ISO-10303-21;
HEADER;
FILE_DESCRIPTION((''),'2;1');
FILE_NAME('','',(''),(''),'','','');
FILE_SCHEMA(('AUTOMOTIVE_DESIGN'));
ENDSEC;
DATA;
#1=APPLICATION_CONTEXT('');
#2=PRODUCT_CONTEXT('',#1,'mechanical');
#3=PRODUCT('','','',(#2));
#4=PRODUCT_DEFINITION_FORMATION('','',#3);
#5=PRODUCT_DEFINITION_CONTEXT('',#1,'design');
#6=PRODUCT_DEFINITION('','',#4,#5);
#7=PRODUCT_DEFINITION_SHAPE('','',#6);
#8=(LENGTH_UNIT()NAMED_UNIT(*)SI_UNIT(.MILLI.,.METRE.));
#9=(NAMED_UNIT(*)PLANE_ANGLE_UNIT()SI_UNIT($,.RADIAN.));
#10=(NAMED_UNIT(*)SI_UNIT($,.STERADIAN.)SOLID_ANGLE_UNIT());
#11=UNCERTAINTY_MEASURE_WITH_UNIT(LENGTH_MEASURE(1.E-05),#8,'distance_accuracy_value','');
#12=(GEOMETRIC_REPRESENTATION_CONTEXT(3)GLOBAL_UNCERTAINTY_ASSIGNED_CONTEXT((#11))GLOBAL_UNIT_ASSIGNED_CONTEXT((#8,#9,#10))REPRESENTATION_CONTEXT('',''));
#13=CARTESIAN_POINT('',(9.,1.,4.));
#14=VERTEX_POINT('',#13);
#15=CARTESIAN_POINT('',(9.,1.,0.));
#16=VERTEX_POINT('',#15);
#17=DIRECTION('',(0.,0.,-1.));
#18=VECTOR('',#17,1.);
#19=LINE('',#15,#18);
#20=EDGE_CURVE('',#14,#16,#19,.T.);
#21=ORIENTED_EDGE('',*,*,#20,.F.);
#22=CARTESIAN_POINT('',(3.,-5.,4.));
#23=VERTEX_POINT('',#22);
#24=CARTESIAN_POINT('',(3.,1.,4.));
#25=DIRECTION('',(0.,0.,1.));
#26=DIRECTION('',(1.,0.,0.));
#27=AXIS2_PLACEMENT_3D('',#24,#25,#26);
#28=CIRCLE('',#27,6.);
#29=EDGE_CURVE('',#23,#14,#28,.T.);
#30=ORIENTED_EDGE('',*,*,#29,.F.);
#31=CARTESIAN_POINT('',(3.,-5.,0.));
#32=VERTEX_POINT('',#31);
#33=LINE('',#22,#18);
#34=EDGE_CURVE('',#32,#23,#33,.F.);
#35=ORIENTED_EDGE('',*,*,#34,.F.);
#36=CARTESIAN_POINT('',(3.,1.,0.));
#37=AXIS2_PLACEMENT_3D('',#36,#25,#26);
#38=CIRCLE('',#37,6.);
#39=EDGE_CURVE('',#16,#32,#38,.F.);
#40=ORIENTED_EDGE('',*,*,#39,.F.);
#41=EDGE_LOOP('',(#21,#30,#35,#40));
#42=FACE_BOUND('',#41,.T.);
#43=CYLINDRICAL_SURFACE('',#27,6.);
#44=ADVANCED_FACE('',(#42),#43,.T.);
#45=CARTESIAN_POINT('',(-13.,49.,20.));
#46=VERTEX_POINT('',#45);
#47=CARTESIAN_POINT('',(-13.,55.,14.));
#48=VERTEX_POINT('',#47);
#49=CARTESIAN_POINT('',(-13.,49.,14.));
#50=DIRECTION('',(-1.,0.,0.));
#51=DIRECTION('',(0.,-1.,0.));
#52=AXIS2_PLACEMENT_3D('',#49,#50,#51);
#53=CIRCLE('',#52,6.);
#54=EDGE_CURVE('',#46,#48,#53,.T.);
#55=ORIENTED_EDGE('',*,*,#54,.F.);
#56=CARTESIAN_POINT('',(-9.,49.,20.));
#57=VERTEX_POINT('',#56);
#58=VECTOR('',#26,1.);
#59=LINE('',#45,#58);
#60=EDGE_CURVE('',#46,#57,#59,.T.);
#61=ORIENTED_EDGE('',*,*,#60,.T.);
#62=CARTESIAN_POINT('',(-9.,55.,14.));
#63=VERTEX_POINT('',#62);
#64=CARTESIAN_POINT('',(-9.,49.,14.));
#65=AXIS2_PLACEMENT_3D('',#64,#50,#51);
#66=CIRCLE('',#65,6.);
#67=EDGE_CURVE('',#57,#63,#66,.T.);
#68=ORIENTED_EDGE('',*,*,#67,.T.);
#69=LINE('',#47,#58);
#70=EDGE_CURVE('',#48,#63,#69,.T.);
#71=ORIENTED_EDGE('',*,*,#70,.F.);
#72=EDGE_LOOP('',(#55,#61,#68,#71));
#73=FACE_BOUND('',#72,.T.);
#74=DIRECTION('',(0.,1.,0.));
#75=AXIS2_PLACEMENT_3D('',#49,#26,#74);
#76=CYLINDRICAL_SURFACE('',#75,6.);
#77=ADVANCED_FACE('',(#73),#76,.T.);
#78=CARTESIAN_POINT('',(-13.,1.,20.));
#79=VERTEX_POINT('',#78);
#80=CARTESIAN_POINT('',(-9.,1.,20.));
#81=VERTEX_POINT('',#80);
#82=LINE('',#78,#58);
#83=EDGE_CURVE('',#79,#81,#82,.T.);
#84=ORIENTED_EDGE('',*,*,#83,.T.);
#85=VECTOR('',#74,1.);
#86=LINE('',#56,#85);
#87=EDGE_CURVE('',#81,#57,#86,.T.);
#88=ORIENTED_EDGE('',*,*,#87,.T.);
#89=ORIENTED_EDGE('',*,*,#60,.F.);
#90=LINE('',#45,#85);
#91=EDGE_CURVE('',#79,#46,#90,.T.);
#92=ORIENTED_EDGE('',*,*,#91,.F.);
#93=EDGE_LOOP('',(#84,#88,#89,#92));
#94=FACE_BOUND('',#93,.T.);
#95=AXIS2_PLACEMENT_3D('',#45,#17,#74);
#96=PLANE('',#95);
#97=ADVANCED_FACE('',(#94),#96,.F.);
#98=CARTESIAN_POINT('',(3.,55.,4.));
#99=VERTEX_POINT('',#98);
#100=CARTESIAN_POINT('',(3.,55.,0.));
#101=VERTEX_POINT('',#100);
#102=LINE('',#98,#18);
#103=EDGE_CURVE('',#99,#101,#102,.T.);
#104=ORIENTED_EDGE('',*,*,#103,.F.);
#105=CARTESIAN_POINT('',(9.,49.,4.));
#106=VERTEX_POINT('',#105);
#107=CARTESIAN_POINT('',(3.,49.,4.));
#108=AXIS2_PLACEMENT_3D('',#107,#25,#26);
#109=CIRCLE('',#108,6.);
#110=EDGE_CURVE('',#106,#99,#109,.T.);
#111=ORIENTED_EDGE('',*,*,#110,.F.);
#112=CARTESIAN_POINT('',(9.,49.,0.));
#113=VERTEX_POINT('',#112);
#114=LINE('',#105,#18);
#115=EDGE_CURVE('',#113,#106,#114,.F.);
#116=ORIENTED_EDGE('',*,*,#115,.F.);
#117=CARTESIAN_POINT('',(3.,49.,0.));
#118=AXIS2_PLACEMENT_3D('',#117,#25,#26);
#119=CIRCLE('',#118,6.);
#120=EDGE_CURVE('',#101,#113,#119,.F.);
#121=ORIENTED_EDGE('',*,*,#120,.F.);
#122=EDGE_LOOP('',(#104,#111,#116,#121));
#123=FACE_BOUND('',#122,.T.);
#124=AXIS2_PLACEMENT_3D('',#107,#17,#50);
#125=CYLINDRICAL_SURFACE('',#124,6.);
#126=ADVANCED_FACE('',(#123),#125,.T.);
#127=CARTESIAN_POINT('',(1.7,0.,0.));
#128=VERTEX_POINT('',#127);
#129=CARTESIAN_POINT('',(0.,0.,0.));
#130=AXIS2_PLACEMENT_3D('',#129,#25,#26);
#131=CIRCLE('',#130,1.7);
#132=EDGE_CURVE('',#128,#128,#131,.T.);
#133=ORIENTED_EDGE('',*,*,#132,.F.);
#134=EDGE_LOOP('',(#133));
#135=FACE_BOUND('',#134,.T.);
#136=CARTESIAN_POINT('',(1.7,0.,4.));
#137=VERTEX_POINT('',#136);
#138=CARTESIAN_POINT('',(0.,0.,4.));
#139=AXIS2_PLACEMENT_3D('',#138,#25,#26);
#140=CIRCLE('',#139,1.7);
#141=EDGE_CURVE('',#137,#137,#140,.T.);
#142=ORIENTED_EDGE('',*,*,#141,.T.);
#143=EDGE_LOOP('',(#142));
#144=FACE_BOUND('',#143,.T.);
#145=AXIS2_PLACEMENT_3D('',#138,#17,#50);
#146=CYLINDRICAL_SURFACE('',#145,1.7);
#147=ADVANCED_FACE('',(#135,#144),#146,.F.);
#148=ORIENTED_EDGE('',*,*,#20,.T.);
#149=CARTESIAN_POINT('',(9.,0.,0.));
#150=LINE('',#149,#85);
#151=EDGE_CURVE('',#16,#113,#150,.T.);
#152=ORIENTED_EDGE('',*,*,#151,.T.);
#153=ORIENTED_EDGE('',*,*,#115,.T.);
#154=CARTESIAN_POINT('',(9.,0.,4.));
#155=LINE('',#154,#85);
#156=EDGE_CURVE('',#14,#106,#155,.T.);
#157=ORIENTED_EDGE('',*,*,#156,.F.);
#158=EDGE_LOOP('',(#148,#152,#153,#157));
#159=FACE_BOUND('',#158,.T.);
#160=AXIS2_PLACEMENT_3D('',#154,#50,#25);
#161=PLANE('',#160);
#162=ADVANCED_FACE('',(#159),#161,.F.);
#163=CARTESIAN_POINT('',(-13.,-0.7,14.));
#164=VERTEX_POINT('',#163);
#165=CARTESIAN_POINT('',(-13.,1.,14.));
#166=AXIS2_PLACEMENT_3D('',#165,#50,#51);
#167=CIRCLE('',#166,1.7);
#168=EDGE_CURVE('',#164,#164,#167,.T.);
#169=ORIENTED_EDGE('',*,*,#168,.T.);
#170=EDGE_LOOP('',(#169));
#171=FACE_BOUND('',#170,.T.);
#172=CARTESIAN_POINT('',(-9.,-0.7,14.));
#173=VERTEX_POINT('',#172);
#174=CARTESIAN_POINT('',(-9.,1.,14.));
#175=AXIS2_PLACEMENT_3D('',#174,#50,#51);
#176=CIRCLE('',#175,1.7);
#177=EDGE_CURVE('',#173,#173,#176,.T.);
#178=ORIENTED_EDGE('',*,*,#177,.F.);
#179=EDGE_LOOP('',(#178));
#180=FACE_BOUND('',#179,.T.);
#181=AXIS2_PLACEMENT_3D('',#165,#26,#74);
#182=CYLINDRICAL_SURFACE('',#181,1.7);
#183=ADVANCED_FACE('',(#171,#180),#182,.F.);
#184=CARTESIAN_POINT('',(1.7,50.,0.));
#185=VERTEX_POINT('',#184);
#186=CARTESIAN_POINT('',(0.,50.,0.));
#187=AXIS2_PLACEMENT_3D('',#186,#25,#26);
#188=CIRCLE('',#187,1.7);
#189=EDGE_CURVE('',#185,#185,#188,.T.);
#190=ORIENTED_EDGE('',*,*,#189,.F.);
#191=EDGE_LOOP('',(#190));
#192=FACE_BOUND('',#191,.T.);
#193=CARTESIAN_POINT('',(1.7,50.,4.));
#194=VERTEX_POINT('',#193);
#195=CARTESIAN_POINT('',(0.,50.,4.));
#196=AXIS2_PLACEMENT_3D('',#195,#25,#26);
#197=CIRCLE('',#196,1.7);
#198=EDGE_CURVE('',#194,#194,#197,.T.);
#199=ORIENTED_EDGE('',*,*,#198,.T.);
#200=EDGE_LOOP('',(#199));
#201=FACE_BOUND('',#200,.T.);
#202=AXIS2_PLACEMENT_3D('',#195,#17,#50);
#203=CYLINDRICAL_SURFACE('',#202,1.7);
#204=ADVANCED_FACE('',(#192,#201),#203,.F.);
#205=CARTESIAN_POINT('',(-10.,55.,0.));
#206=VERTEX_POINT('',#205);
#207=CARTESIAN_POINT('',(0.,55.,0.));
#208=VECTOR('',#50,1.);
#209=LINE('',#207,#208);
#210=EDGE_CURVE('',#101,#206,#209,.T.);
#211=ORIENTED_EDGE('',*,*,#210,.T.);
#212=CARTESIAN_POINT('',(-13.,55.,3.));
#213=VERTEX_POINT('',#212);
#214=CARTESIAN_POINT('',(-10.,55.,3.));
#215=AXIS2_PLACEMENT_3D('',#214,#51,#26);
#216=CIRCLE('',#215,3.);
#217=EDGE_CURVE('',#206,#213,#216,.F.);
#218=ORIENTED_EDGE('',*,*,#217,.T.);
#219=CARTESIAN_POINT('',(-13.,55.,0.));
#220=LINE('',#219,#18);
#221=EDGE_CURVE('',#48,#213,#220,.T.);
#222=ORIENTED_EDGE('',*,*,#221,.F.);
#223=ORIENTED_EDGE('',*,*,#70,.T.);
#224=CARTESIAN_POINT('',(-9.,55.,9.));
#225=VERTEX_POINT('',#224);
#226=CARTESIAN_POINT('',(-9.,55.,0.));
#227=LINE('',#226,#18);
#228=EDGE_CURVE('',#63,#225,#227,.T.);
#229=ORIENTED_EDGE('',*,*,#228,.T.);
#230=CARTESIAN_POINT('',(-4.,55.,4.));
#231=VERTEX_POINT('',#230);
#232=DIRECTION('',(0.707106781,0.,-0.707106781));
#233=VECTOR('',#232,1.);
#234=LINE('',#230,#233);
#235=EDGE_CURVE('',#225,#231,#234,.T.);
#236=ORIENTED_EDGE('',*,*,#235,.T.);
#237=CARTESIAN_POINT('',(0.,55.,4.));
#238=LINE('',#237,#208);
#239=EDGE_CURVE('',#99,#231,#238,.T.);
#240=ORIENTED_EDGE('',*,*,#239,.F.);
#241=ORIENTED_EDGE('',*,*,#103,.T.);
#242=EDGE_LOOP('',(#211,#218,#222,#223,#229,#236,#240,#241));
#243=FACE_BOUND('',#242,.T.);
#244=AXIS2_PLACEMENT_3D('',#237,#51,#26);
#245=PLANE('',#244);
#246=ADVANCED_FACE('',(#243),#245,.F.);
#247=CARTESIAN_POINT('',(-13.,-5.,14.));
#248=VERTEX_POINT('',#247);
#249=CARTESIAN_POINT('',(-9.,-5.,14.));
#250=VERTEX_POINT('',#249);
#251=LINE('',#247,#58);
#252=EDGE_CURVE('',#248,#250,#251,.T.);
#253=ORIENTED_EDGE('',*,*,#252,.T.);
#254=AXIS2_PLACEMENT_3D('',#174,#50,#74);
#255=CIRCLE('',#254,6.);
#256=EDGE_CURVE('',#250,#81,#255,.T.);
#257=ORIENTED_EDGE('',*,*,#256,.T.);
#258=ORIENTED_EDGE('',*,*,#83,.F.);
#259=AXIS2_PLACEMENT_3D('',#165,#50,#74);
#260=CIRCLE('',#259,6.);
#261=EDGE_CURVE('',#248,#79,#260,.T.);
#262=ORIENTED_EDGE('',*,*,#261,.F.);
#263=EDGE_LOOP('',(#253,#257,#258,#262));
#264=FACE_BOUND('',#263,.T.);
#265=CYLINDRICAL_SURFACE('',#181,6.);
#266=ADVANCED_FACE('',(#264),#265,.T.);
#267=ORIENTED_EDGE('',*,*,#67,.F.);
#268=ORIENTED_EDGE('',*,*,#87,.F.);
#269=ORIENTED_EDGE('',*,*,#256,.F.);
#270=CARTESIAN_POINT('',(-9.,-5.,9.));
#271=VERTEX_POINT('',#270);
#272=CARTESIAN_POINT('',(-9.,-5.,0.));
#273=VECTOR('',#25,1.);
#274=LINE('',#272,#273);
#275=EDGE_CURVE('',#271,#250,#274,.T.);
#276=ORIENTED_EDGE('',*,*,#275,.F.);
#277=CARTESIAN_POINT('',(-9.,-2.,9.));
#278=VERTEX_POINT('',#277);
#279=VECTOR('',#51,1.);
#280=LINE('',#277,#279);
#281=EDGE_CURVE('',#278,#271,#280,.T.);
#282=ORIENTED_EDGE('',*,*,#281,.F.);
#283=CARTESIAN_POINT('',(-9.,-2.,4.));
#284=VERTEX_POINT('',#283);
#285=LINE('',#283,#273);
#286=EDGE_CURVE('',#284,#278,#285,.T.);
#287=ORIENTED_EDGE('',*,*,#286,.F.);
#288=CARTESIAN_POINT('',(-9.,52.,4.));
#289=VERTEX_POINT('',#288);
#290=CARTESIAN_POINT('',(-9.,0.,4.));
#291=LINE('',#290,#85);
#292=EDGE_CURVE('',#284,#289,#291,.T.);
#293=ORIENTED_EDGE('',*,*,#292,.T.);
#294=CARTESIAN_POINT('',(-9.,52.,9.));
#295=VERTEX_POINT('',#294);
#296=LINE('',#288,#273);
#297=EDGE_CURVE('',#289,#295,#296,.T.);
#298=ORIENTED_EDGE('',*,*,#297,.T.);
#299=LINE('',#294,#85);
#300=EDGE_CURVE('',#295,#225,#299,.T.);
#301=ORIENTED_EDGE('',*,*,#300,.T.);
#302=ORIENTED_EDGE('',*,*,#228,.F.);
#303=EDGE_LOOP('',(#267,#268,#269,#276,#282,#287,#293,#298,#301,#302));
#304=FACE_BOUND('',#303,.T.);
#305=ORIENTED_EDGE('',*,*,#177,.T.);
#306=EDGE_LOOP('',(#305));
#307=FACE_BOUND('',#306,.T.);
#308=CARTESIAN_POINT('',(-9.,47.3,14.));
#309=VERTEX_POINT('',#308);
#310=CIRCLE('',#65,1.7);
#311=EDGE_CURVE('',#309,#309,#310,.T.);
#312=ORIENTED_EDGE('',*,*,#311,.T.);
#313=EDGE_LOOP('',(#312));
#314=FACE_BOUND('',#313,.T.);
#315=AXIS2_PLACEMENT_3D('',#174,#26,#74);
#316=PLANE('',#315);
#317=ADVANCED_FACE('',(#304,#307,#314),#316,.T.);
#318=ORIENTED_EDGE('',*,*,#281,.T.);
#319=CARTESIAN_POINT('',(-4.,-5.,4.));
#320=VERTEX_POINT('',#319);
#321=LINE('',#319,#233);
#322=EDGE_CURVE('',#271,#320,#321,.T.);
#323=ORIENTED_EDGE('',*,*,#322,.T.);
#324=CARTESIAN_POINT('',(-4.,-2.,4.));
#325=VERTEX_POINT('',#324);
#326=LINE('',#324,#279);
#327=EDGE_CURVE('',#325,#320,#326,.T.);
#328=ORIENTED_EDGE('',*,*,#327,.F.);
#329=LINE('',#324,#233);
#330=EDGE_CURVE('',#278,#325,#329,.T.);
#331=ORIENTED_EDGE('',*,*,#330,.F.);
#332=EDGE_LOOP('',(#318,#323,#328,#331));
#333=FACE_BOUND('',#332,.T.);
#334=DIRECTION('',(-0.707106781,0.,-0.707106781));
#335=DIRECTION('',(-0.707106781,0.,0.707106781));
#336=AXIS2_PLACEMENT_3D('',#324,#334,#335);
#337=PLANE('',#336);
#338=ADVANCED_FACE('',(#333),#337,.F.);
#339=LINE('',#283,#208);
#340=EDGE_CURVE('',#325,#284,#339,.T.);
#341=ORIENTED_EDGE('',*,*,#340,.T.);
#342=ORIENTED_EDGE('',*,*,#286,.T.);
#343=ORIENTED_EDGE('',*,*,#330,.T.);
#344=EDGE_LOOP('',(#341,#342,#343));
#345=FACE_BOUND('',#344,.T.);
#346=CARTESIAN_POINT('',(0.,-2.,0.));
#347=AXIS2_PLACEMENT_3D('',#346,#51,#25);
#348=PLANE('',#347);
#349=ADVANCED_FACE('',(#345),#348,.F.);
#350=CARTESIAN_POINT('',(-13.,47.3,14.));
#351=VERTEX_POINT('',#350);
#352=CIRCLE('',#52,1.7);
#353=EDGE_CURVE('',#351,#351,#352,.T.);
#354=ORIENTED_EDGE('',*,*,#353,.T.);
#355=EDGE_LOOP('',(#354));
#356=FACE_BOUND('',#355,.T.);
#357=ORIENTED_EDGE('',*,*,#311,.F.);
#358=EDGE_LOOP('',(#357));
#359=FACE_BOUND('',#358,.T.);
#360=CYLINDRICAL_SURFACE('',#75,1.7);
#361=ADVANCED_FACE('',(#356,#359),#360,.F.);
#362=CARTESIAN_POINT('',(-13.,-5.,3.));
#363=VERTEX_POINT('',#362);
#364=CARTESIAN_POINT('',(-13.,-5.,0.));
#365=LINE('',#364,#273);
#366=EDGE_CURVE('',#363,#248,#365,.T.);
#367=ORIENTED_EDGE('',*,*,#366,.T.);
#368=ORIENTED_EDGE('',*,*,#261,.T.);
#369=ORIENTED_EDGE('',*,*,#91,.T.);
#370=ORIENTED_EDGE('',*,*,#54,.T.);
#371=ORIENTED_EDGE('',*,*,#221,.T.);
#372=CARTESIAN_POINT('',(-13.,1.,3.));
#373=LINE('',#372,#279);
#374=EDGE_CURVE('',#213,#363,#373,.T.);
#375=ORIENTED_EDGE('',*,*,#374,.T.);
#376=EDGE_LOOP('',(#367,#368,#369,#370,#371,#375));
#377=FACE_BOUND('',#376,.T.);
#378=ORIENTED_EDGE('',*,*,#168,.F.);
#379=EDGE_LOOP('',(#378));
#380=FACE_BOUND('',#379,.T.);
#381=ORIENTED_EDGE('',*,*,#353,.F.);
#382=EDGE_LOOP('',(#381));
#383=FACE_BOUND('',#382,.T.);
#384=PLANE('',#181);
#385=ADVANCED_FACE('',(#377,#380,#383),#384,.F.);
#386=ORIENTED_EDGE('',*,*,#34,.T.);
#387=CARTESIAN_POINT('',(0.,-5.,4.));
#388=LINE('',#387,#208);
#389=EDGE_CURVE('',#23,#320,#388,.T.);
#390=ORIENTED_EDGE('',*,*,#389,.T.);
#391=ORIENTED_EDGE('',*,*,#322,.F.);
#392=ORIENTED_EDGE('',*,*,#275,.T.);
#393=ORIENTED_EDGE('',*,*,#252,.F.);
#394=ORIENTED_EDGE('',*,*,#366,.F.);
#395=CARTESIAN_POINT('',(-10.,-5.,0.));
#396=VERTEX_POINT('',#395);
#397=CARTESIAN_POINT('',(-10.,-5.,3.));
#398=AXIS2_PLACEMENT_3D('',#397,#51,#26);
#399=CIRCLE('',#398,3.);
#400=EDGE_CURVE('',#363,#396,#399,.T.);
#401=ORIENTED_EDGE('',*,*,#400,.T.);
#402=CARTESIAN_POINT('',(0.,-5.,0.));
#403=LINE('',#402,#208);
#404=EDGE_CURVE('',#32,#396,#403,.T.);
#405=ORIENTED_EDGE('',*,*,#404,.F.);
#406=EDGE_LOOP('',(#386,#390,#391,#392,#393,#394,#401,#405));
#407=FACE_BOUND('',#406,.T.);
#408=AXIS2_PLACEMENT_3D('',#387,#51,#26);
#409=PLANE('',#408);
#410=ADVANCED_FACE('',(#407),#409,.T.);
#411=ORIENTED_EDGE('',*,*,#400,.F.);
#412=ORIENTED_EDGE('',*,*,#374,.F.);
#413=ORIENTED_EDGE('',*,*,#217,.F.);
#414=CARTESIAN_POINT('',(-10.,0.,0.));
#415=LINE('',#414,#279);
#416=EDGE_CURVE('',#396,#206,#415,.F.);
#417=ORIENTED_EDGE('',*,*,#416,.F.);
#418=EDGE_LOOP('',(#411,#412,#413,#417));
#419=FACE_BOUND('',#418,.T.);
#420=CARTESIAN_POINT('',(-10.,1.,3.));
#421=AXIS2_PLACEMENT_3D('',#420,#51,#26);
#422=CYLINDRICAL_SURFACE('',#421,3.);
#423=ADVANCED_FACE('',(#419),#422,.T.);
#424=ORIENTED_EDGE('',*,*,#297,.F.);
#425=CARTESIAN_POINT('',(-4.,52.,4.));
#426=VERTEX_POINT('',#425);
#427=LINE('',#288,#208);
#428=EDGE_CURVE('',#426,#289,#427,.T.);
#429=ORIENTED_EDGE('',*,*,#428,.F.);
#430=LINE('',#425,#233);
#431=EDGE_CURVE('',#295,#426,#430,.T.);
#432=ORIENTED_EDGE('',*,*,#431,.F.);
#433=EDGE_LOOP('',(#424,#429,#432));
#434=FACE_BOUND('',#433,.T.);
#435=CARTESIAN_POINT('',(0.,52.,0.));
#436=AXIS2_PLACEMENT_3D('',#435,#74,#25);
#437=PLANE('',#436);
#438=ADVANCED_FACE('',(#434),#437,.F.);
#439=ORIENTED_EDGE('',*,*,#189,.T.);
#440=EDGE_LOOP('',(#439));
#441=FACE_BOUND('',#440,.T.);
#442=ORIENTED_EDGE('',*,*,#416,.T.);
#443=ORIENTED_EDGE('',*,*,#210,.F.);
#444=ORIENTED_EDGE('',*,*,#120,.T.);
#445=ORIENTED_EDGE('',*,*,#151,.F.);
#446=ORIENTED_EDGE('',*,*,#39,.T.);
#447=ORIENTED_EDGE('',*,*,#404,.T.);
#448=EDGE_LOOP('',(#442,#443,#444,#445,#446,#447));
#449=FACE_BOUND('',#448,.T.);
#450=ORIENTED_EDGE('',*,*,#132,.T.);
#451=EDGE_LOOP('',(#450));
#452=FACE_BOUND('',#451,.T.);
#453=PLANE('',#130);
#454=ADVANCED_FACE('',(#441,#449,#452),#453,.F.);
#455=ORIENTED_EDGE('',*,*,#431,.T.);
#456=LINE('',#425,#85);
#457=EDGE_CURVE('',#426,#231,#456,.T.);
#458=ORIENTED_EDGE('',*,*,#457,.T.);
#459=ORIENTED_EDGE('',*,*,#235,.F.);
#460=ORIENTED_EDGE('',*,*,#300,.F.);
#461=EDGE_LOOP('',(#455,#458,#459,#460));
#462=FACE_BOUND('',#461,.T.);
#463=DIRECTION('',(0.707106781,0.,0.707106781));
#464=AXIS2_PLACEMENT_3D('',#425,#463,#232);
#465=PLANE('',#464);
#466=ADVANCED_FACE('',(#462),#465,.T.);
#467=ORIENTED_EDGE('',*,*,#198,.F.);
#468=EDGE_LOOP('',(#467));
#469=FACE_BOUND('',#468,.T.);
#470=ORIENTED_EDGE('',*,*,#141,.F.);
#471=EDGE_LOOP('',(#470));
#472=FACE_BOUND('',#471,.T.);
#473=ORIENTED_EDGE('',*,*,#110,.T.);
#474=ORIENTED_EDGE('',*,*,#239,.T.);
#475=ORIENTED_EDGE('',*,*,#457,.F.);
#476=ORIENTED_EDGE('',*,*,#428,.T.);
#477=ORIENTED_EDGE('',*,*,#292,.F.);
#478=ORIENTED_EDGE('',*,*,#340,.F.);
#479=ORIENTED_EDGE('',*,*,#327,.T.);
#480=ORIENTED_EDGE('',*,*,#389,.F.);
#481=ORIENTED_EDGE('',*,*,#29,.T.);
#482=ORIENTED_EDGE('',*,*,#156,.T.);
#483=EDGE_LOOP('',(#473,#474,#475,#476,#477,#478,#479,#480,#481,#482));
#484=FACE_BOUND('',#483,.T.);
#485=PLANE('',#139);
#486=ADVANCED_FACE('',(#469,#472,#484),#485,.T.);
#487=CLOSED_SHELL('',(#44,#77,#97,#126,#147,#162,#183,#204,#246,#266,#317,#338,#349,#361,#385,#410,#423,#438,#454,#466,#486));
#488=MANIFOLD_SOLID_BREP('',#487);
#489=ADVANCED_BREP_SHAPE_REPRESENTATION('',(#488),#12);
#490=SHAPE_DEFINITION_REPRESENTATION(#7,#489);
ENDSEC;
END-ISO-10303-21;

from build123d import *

# Parameters (mm, degrees)
SKETCH1_W           = 18
SKETCH1_H           = 60
SKETCH1_R           = 1.7
BOSS_EXTRUDE1_DEPTH = 4
SKETCH2_R           = 1.7
BOSS_EXTRUDE2_DEPTH = 4
FILLET1_R           = 6
BOSS_EXTRUDE3_DEPTH = 3
FILLET2_R           = 3


with BuildPart() as part:
    # Sketch1 → Boss-Extrude1 (new body)
    with BuildSketch(Plane.XY):
        with Locations((0, 25)):
            Rectangle(SKETCH1_W, SKETCH1_H)
        Circle(SKETCH1_R, mode=Mode.SUBTRACT)
        with Locations((0, 50)):
            Circle(SKETCH1_R, mode=Mode.SUBTRACT)
    extrude(amount=BOSS_EXTRUDE1_DEPTH)

    # Sketch2 → Boss-Extrude2 (add)
    with BuildSketch(Plane.ZY.offset(9)):
        with BuildLine():
            Line((0, 55), (14, 55))
            ThreePointArc((14, 55), (18.242640687, 53.242640687), (20, 49))
            Line((20, 49), (20, 1))
            ThreePointArc((20, 1), (18.242640687, -3.242640687), (14, -5))
            Line((14, -5), (0, -5))
            Line((0, -5), (0, 55))
        make_face()
        with Locations((14, 49)):
            Circle(SKETCH2_R, mode=Mode.SUBTRACT)
        with Locations((14, 1)):
            Circle(SKETCH2_R, mode=Mode.SUBTRACT)
    extrude(amount=BOSS_EXTRUDE2_DEPTH)

    # Fillet1
    fillet1_edges = [part.edges().sort_by_distance(p)[0] for p in [
        (9, 55, 2),
        (9, -5, 2),
    ]]
    fillet(fillet1_edges, radius=FILLET1_R)

    # Sketch3 → Boss-Extrude3 (add)
    with BuildSketch(Plane(origin=(0, 55, 0), x_dir=(1, 0, 0), z_dir=(0, 1, 0))):
        Polygon((-4, -4), (-9, -9), (-9, -4), align=None)
    boss_extrude3 = extrude(amount=-BOSS_EXTRUDE3_DEPTH)

    # Mirror1: Boss-Extrude3 across plane
    add(boss_extrude3.mirror(Plane.ZX.offset(25)))

    # Fillet2
    fillet2_edges = [part.edges().sort_by_distance(p)[0] for p in [
        (-13, 25, 0),
    ]]
    fillet(fillet2_edges, radius=FILLET2_R)


solid = part.part
